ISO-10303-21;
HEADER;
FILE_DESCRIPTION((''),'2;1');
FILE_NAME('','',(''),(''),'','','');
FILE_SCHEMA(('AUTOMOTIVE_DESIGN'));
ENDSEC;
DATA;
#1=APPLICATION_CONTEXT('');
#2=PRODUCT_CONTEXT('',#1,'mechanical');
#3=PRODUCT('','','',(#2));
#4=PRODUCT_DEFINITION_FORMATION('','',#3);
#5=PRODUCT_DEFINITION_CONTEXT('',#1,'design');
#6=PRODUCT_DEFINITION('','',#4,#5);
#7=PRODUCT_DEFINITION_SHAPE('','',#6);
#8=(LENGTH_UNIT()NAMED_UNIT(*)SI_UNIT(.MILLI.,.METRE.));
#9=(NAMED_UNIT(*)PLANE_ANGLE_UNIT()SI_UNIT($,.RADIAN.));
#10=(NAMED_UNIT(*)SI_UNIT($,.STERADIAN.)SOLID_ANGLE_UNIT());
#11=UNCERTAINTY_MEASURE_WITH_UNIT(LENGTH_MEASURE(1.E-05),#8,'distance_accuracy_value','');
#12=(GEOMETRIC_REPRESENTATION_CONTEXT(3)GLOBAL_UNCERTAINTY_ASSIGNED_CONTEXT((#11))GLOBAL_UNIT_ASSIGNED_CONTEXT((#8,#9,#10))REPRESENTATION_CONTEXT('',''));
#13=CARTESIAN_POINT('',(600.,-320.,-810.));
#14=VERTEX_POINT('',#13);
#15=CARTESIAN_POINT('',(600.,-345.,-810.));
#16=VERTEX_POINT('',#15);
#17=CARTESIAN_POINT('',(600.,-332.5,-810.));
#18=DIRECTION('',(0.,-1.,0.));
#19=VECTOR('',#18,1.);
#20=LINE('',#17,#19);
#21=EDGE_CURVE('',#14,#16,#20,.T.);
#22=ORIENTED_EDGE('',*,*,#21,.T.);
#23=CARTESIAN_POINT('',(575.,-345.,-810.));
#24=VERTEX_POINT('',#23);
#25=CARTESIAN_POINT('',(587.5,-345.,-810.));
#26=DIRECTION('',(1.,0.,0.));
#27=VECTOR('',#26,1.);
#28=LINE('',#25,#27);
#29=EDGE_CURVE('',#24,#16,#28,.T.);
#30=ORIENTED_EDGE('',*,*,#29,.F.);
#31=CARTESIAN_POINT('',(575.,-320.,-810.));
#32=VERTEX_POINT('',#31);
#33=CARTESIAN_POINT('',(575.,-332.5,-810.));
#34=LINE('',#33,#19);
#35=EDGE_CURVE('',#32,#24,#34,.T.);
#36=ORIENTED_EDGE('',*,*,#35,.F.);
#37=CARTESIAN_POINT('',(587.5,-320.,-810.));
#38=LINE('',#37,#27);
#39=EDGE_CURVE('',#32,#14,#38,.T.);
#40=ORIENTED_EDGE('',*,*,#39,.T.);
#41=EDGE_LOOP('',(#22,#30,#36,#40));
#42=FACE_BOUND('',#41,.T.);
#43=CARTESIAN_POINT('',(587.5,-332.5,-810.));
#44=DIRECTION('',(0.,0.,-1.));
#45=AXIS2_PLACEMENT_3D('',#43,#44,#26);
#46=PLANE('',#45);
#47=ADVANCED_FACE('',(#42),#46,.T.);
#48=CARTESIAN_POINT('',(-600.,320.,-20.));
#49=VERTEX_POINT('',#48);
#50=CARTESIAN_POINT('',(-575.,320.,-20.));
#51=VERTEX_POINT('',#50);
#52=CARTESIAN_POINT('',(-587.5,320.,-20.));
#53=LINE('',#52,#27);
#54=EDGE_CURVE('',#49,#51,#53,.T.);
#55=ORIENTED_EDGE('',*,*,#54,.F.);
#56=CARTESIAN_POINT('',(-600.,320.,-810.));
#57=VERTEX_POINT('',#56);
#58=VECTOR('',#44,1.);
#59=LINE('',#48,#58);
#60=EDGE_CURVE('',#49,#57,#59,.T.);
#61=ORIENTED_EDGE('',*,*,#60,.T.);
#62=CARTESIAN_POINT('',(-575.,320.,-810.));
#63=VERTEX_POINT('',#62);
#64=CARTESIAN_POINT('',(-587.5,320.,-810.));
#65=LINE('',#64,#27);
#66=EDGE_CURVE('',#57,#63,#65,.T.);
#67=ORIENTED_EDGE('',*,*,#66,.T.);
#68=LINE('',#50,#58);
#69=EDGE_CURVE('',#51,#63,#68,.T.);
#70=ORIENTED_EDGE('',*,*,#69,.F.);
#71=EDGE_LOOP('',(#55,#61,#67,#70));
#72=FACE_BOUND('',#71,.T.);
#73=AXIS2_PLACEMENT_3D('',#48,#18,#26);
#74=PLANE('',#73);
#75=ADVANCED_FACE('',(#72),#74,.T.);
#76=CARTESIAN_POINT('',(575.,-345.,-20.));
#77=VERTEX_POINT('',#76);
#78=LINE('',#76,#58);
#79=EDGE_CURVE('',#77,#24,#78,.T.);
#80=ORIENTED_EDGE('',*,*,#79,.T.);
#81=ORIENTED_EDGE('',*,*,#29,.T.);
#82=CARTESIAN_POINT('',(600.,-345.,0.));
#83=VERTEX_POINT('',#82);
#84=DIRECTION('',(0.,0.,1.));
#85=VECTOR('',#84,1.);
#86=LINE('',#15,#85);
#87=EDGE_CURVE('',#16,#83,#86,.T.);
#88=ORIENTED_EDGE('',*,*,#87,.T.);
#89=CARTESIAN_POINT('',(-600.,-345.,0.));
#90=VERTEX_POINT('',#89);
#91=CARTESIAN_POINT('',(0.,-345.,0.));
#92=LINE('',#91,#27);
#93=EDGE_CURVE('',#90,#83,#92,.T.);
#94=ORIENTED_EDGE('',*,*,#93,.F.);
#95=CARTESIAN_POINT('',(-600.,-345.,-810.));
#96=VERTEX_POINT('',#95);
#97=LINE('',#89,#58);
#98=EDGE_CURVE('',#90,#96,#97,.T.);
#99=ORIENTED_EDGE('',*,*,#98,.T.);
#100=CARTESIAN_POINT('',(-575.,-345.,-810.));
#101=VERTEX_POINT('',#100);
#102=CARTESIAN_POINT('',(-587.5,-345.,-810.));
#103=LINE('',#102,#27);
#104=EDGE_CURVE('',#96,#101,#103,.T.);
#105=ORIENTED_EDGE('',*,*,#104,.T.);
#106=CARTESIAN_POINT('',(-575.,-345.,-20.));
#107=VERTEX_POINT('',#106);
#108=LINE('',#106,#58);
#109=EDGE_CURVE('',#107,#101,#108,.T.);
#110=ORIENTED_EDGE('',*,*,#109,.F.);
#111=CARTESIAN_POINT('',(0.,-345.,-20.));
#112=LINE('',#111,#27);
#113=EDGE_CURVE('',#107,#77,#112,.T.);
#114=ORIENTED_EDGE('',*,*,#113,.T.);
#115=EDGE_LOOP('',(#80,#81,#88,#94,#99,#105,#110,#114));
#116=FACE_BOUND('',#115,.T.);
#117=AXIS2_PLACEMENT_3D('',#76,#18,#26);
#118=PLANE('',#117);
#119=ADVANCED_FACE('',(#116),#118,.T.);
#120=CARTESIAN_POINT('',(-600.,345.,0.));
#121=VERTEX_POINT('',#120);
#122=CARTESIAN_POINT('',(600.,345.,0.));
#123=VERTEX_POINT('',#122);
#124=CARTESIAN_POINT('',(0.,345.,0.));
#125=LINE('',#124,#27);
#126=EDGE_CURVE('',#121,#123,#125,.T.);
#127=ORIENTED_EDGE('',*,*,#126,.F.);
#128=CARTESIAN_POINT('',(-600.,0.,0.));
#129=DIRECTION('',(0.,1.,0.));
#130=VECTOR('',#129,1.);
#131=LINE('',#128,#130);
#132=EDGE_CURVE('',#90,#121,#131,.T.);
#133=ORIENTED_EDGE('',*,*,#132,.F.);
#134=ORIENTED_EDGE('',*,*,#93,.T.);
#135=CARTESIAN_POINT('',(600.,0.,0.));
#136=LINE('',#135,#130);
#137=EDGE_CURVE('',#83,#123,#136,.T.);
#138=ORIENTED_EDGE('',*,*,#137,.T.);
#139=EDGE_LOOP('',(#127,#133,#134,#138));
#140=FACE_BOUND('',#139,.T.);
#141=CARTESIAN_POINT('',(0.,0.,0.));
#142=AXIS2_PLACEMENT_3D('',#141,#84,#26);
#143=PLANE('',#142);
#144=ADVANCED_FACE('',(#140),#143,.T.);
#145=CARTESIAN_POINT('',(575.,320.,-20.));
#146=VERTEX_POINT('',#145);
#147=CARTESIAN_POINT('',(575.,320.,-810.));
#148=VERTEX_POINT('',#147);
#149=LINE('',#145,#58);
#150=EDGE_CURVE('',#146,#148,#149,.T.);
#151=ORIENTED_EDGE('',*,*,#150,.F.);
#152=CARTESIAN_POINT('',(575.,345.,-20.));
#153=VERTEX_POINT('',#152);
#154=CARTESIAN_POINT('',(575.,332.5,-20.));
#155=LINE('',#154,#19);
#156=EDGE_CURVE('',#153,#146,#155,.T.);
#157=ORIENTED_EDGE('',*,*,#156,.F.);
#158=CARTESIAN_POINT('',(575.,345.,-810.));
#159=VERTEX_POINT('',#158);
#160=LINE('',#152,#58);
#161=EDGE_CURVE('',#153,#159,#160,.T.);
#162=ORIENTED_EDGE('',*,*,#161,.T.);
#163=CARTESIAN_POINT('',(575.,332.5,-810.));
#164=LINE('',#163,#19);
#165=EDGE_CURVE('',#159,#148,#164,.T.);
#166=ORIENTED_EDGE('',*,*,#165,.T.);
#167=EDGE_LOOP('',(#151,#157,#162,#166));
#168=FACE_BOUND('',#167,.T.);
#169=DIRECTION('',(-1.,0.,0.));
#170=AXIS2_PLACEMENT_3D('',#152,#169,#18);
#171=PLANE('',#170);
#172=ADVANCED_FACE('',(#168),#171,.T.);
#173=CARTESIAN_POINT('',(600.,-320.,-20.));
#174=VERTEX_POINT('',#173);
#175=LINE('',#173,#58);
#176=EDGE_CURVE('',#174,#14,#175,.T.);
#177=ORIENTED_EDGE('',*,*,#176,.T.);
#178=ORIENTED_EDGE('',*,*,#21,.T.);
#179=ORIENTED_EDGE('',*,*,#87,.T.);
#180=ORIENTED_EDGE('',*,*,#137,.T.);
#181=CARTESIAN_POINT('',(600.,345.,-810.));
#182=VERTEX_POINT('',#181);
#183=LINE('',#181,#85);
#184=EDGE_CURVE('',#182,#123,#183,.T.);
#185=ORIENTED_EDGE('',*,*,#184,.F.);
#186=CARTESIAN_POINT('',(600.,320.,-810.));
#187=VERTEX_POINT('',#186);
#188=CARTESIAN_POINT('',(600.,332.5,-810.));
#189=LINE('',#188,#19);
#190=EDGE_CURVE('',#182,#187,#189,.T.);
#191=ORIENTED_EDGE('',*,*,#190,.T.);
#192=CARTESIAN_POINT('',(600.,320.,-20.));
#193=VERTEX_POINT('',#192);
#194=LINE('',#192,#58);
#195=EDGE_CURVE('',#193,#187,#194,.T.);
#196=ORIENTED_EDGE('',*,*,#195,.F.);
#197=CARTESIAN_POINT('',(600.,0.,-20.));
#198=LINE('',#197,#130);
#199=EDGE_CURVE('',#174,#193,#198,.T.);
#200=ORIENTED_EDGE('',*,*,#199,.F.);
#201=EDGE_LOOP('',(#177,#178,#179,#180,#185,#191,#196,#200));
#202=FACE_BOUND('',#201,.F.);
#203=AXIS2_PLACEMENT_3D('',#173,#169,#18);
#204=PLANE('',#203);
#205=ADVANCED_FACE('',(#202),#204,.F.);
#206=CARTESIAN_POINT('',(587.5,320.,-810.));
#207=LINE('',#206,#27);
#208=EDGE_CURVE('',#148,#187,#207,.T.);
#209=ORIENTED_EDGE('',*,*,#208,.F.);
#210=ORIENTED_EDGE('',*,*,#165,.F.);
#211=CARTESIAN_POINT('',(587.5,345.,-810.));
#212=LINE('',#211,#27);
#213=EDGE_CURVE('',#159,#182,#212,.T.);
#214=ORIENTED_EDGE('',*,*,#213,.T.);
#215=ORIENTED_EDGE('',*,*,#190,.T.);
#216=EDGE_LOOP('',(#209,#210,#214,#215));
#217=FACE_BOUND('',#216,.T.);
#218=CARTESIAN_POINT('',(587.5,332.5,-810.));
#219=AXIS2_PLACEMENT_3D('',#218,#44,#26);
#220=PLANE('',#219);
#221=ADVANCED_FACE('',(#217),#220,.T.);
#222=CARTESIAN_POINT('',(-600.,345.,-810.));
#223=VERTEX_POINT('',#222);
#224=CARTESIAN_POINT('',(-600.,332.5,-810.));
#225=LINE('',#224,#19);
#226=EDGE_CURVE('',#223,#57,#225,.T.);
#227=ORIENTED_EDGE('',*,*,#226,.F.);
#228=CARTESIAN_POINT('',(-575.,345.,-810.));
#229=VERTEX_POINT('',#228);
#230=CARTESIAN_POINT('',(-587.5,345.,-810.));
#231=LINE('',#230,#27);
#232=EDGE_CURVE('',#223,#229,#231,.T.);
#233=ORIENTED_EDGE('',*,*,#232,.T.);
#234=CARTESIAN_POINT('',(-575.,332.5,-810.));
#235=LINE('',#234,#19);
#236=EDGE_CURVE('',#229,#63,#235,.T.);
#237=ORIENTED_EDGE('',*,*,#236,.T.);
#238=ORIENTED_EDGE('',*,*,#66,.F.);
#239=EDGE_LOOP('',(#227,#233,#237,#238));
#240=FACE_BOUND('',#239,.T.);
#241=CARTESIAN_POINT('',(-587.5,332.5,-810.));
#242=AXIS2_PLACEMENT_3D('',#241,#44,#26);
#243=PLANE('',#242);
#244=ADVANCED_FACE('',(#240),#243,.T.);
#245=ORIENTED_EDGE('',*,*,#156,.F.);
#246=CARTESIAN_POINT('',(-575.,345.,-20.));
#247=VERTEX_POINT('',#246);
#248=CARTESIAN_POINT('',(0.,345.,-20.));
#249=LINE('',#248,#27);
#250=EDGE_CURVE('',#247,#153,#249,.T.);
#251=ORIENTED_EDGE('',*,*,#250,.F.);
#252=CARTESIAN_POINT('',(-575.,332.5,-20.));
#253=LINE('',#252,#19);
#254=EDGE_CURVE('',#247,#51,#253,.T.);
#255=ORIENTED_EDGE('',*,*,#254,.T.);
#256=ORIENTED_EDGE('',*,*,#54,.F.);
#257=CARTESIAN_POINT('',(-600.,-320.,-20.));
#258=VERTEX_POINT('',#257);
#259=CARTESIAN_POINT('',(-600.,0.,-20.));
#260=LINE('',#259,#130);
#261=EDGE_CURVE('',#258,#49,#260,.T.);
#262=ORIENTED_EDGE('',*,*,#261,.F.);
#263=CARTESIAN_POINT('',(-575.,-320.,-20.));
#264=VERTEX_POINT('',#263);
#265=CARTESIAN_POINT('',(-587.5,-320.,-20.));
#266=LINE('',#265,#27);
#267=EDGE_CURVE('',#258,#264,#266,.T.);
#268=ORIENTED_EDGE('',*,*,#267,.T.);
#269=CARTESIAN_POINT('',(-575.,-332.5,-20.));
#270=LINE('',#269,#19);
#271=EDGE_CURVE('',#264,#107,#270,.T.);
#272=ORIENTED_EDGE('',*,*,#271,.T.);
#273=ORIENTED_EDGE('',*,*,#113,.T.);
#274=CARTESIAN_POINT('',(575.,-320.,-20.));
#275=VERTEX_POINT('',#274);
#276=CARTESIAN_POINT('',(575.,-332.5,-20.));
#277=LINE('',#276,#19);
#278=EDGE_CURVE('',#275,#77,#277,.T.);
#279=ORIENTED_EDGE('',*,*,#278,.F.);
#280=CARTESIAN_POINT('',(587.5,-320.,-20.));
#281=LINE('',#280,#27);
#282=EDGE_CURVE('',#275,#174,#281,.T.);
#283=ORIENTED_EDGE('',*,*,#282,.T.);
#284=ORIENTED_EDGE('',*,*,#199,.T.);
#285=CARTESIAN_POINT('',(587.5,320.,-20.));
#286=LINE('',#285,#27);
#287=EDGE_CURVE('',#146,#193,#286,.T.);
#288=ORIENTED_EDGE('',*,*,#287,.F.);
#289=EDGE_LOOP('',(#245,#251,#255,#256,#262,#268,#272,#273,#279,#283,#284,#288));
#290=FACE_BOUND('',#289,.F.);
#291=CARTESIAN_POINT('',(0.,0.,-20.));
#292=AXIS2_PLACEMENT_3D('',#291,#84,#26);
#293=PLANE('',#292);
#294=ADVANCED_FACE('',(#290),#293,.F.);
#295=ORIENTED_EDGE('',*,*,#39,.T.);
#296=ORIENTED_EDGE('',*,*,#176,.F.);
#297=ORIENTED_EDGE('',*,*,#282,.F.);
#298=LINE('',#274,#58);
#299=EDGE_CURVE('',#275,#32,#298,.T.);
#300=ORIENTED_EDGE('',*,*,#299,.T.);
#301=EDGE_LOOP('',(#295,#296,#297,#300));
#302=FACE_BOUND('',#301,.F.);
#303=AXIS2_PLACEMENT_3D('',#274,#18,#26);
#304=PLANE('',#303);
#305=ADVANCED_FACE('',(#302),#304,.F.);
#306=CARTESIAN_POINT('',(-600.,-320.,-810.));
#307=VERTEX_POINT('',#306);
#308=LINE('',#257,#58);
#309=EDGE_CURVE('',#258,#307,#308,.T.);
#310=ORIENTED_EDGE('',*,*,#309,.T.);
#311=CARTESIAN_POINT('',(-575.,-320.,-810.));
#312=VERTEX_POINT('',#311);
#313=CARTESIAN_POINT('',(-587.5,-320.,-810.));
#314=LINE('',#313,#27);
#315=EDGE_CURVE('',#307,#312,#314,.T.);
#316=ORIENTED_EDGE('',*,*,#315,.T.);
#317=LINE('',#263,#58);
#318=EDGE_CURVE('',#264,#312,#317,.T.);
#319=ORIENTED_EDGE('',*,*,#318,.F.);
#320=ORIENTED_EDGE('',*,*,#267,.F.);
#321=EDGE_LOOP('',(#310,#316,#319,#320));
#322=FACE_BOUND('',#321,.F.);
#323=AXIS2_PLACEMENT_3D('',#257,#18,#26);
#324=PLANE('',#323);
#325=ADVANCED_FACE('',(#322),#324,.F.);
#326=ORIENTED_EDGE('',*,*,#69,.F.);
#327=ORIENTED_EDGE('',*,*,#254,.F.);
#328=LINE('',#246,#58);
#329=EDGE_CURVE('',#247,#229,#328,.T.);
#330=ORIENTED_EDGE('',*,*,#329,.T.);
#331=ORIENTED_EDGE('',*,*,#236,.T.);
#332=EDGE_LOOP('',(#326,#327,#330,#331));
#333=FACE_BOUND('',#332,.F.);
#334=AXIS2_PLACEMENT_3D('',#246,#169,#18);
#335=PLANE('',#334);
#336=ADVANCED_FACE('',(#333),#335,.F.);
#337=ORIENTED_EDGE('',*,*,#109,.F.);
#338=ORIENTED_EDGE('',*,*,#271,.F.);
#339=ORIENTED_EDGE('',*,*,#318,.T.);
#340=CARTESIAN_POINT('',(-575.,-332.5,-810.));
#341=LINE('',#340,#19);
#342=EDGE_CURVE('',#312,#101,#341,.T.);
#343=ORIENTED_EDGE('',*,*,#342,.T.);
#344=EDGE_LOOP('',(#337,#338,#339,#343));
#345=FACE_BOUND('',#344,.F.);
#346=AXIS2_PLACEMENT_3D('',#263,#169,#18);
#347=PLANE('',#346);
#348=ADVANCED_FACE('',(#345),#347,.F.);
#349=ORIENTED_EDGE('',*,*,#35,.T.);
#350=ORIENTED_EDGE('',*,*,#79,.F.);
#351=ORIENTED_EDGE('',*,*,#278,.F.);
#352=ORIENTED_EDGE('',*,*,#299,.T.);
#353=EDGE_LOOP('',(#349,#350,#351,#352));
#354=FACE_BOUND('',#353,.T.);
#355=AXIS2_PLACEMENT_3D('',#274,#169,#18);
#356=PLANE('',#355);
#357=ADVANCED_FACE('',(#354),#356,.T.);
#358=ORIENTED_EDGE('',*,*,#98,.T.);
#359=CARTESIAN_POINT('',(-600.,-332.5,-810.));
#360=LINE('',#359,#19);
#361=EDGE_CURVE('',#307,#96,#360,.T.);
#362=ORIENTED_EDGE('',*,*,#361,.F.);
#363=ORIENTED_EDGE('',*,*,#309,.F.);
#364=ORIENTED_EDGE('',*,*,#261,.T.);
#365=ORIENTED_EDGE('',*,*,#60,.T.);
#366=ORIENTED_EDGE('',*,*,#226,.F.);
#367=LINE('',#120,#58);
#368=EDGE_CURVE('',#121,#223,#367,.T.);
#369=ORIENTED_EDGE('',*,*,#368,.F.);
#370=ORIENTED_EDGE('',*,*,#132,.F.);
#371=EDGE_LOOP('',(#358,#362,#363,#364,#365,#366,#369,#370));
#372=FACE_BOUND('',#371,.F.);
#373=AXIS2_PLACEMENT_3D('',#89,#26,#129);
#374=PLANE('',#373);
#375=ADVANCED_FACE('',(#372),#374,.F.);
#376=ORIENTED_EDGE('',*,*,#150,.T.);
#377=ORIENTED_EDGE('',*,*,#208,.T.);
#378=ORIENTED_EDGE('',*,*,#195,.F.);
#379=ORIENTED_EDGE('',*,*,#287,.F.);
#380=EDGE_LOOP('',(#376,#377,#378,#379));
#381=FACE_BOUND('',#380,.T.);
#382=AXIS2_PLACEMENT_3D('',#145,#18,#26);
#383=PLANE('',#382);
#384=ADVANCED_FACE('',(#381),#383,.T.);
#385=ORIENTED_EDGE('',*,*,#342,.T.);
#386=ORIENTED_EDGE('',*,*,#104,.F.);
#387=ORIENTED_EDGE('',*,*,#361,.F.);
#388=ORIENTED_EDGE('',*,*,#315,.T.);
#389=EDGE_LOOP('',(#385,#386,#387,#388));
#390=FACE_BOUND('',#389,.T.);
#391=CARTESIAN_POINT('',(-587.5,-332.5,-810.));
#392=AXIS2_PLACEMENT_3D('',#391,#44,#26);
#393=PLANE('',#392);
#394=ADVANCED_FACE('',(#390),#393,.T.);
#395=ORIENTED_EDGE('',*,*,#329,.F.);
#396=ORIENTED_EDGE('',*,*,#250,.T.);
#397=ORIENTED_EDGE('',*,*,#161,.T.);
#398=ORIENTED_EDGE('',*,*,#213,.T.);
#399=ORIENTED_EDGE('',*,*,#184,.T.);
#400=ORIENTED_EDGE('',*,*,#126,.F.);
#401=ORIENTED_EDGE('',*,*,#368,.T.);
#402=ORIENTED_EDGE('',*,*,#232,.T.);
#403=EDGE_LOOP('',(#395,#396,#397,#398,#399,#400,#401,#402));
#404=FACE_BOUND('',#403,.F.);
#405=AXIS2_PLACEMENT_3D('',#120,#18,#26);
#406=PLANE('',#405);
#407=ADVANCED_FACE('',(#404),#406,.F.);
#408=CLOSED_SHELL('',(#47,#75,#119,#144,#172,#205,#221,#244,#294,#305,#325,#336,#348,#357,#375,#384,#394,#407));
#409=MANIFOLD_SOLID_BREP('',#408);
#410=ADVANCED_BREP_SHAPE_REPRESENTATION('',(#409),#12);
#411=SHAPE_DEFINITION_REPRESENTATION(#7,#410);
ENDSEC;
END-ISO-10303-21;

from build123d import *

# Parameters (mm, degrees)
F0_W     = 1200
F0_H     = 690
F1_DEPTH = 20
F2_W     = 25
F2_H     = 25
F3_DEPTH = 790


with BuildPart() as f1:
    # F0 (on Top) → F1 (new body)
    with BuildSketch(Plane.XY):
        Rectangle(F0_W, F0_H)
    extrude(amount=-F1_DEPTH)

    # F2 (on face) → F3 (join)
    with BuildSketch(Plane(origin=(0, 0, -20), x_dir=(1, 0, 0), z_dir=(0, 0, -1))):
        with Locations((587.5, 332.5)):
            Rectangle(F2_W, F2_H)
        with Locations((-587.5, 332.5)):
            Rectangle(F2_W, F2_H)
        with Locations((587.5, -332.5)):
            Rectangle(F2_W, F2_H)
        with Locations((-587.5, -332.5)):
            Rectangle(F2_W, F2_H)
    extrude(amount=F3_DEPTH)


solid = f1.part
